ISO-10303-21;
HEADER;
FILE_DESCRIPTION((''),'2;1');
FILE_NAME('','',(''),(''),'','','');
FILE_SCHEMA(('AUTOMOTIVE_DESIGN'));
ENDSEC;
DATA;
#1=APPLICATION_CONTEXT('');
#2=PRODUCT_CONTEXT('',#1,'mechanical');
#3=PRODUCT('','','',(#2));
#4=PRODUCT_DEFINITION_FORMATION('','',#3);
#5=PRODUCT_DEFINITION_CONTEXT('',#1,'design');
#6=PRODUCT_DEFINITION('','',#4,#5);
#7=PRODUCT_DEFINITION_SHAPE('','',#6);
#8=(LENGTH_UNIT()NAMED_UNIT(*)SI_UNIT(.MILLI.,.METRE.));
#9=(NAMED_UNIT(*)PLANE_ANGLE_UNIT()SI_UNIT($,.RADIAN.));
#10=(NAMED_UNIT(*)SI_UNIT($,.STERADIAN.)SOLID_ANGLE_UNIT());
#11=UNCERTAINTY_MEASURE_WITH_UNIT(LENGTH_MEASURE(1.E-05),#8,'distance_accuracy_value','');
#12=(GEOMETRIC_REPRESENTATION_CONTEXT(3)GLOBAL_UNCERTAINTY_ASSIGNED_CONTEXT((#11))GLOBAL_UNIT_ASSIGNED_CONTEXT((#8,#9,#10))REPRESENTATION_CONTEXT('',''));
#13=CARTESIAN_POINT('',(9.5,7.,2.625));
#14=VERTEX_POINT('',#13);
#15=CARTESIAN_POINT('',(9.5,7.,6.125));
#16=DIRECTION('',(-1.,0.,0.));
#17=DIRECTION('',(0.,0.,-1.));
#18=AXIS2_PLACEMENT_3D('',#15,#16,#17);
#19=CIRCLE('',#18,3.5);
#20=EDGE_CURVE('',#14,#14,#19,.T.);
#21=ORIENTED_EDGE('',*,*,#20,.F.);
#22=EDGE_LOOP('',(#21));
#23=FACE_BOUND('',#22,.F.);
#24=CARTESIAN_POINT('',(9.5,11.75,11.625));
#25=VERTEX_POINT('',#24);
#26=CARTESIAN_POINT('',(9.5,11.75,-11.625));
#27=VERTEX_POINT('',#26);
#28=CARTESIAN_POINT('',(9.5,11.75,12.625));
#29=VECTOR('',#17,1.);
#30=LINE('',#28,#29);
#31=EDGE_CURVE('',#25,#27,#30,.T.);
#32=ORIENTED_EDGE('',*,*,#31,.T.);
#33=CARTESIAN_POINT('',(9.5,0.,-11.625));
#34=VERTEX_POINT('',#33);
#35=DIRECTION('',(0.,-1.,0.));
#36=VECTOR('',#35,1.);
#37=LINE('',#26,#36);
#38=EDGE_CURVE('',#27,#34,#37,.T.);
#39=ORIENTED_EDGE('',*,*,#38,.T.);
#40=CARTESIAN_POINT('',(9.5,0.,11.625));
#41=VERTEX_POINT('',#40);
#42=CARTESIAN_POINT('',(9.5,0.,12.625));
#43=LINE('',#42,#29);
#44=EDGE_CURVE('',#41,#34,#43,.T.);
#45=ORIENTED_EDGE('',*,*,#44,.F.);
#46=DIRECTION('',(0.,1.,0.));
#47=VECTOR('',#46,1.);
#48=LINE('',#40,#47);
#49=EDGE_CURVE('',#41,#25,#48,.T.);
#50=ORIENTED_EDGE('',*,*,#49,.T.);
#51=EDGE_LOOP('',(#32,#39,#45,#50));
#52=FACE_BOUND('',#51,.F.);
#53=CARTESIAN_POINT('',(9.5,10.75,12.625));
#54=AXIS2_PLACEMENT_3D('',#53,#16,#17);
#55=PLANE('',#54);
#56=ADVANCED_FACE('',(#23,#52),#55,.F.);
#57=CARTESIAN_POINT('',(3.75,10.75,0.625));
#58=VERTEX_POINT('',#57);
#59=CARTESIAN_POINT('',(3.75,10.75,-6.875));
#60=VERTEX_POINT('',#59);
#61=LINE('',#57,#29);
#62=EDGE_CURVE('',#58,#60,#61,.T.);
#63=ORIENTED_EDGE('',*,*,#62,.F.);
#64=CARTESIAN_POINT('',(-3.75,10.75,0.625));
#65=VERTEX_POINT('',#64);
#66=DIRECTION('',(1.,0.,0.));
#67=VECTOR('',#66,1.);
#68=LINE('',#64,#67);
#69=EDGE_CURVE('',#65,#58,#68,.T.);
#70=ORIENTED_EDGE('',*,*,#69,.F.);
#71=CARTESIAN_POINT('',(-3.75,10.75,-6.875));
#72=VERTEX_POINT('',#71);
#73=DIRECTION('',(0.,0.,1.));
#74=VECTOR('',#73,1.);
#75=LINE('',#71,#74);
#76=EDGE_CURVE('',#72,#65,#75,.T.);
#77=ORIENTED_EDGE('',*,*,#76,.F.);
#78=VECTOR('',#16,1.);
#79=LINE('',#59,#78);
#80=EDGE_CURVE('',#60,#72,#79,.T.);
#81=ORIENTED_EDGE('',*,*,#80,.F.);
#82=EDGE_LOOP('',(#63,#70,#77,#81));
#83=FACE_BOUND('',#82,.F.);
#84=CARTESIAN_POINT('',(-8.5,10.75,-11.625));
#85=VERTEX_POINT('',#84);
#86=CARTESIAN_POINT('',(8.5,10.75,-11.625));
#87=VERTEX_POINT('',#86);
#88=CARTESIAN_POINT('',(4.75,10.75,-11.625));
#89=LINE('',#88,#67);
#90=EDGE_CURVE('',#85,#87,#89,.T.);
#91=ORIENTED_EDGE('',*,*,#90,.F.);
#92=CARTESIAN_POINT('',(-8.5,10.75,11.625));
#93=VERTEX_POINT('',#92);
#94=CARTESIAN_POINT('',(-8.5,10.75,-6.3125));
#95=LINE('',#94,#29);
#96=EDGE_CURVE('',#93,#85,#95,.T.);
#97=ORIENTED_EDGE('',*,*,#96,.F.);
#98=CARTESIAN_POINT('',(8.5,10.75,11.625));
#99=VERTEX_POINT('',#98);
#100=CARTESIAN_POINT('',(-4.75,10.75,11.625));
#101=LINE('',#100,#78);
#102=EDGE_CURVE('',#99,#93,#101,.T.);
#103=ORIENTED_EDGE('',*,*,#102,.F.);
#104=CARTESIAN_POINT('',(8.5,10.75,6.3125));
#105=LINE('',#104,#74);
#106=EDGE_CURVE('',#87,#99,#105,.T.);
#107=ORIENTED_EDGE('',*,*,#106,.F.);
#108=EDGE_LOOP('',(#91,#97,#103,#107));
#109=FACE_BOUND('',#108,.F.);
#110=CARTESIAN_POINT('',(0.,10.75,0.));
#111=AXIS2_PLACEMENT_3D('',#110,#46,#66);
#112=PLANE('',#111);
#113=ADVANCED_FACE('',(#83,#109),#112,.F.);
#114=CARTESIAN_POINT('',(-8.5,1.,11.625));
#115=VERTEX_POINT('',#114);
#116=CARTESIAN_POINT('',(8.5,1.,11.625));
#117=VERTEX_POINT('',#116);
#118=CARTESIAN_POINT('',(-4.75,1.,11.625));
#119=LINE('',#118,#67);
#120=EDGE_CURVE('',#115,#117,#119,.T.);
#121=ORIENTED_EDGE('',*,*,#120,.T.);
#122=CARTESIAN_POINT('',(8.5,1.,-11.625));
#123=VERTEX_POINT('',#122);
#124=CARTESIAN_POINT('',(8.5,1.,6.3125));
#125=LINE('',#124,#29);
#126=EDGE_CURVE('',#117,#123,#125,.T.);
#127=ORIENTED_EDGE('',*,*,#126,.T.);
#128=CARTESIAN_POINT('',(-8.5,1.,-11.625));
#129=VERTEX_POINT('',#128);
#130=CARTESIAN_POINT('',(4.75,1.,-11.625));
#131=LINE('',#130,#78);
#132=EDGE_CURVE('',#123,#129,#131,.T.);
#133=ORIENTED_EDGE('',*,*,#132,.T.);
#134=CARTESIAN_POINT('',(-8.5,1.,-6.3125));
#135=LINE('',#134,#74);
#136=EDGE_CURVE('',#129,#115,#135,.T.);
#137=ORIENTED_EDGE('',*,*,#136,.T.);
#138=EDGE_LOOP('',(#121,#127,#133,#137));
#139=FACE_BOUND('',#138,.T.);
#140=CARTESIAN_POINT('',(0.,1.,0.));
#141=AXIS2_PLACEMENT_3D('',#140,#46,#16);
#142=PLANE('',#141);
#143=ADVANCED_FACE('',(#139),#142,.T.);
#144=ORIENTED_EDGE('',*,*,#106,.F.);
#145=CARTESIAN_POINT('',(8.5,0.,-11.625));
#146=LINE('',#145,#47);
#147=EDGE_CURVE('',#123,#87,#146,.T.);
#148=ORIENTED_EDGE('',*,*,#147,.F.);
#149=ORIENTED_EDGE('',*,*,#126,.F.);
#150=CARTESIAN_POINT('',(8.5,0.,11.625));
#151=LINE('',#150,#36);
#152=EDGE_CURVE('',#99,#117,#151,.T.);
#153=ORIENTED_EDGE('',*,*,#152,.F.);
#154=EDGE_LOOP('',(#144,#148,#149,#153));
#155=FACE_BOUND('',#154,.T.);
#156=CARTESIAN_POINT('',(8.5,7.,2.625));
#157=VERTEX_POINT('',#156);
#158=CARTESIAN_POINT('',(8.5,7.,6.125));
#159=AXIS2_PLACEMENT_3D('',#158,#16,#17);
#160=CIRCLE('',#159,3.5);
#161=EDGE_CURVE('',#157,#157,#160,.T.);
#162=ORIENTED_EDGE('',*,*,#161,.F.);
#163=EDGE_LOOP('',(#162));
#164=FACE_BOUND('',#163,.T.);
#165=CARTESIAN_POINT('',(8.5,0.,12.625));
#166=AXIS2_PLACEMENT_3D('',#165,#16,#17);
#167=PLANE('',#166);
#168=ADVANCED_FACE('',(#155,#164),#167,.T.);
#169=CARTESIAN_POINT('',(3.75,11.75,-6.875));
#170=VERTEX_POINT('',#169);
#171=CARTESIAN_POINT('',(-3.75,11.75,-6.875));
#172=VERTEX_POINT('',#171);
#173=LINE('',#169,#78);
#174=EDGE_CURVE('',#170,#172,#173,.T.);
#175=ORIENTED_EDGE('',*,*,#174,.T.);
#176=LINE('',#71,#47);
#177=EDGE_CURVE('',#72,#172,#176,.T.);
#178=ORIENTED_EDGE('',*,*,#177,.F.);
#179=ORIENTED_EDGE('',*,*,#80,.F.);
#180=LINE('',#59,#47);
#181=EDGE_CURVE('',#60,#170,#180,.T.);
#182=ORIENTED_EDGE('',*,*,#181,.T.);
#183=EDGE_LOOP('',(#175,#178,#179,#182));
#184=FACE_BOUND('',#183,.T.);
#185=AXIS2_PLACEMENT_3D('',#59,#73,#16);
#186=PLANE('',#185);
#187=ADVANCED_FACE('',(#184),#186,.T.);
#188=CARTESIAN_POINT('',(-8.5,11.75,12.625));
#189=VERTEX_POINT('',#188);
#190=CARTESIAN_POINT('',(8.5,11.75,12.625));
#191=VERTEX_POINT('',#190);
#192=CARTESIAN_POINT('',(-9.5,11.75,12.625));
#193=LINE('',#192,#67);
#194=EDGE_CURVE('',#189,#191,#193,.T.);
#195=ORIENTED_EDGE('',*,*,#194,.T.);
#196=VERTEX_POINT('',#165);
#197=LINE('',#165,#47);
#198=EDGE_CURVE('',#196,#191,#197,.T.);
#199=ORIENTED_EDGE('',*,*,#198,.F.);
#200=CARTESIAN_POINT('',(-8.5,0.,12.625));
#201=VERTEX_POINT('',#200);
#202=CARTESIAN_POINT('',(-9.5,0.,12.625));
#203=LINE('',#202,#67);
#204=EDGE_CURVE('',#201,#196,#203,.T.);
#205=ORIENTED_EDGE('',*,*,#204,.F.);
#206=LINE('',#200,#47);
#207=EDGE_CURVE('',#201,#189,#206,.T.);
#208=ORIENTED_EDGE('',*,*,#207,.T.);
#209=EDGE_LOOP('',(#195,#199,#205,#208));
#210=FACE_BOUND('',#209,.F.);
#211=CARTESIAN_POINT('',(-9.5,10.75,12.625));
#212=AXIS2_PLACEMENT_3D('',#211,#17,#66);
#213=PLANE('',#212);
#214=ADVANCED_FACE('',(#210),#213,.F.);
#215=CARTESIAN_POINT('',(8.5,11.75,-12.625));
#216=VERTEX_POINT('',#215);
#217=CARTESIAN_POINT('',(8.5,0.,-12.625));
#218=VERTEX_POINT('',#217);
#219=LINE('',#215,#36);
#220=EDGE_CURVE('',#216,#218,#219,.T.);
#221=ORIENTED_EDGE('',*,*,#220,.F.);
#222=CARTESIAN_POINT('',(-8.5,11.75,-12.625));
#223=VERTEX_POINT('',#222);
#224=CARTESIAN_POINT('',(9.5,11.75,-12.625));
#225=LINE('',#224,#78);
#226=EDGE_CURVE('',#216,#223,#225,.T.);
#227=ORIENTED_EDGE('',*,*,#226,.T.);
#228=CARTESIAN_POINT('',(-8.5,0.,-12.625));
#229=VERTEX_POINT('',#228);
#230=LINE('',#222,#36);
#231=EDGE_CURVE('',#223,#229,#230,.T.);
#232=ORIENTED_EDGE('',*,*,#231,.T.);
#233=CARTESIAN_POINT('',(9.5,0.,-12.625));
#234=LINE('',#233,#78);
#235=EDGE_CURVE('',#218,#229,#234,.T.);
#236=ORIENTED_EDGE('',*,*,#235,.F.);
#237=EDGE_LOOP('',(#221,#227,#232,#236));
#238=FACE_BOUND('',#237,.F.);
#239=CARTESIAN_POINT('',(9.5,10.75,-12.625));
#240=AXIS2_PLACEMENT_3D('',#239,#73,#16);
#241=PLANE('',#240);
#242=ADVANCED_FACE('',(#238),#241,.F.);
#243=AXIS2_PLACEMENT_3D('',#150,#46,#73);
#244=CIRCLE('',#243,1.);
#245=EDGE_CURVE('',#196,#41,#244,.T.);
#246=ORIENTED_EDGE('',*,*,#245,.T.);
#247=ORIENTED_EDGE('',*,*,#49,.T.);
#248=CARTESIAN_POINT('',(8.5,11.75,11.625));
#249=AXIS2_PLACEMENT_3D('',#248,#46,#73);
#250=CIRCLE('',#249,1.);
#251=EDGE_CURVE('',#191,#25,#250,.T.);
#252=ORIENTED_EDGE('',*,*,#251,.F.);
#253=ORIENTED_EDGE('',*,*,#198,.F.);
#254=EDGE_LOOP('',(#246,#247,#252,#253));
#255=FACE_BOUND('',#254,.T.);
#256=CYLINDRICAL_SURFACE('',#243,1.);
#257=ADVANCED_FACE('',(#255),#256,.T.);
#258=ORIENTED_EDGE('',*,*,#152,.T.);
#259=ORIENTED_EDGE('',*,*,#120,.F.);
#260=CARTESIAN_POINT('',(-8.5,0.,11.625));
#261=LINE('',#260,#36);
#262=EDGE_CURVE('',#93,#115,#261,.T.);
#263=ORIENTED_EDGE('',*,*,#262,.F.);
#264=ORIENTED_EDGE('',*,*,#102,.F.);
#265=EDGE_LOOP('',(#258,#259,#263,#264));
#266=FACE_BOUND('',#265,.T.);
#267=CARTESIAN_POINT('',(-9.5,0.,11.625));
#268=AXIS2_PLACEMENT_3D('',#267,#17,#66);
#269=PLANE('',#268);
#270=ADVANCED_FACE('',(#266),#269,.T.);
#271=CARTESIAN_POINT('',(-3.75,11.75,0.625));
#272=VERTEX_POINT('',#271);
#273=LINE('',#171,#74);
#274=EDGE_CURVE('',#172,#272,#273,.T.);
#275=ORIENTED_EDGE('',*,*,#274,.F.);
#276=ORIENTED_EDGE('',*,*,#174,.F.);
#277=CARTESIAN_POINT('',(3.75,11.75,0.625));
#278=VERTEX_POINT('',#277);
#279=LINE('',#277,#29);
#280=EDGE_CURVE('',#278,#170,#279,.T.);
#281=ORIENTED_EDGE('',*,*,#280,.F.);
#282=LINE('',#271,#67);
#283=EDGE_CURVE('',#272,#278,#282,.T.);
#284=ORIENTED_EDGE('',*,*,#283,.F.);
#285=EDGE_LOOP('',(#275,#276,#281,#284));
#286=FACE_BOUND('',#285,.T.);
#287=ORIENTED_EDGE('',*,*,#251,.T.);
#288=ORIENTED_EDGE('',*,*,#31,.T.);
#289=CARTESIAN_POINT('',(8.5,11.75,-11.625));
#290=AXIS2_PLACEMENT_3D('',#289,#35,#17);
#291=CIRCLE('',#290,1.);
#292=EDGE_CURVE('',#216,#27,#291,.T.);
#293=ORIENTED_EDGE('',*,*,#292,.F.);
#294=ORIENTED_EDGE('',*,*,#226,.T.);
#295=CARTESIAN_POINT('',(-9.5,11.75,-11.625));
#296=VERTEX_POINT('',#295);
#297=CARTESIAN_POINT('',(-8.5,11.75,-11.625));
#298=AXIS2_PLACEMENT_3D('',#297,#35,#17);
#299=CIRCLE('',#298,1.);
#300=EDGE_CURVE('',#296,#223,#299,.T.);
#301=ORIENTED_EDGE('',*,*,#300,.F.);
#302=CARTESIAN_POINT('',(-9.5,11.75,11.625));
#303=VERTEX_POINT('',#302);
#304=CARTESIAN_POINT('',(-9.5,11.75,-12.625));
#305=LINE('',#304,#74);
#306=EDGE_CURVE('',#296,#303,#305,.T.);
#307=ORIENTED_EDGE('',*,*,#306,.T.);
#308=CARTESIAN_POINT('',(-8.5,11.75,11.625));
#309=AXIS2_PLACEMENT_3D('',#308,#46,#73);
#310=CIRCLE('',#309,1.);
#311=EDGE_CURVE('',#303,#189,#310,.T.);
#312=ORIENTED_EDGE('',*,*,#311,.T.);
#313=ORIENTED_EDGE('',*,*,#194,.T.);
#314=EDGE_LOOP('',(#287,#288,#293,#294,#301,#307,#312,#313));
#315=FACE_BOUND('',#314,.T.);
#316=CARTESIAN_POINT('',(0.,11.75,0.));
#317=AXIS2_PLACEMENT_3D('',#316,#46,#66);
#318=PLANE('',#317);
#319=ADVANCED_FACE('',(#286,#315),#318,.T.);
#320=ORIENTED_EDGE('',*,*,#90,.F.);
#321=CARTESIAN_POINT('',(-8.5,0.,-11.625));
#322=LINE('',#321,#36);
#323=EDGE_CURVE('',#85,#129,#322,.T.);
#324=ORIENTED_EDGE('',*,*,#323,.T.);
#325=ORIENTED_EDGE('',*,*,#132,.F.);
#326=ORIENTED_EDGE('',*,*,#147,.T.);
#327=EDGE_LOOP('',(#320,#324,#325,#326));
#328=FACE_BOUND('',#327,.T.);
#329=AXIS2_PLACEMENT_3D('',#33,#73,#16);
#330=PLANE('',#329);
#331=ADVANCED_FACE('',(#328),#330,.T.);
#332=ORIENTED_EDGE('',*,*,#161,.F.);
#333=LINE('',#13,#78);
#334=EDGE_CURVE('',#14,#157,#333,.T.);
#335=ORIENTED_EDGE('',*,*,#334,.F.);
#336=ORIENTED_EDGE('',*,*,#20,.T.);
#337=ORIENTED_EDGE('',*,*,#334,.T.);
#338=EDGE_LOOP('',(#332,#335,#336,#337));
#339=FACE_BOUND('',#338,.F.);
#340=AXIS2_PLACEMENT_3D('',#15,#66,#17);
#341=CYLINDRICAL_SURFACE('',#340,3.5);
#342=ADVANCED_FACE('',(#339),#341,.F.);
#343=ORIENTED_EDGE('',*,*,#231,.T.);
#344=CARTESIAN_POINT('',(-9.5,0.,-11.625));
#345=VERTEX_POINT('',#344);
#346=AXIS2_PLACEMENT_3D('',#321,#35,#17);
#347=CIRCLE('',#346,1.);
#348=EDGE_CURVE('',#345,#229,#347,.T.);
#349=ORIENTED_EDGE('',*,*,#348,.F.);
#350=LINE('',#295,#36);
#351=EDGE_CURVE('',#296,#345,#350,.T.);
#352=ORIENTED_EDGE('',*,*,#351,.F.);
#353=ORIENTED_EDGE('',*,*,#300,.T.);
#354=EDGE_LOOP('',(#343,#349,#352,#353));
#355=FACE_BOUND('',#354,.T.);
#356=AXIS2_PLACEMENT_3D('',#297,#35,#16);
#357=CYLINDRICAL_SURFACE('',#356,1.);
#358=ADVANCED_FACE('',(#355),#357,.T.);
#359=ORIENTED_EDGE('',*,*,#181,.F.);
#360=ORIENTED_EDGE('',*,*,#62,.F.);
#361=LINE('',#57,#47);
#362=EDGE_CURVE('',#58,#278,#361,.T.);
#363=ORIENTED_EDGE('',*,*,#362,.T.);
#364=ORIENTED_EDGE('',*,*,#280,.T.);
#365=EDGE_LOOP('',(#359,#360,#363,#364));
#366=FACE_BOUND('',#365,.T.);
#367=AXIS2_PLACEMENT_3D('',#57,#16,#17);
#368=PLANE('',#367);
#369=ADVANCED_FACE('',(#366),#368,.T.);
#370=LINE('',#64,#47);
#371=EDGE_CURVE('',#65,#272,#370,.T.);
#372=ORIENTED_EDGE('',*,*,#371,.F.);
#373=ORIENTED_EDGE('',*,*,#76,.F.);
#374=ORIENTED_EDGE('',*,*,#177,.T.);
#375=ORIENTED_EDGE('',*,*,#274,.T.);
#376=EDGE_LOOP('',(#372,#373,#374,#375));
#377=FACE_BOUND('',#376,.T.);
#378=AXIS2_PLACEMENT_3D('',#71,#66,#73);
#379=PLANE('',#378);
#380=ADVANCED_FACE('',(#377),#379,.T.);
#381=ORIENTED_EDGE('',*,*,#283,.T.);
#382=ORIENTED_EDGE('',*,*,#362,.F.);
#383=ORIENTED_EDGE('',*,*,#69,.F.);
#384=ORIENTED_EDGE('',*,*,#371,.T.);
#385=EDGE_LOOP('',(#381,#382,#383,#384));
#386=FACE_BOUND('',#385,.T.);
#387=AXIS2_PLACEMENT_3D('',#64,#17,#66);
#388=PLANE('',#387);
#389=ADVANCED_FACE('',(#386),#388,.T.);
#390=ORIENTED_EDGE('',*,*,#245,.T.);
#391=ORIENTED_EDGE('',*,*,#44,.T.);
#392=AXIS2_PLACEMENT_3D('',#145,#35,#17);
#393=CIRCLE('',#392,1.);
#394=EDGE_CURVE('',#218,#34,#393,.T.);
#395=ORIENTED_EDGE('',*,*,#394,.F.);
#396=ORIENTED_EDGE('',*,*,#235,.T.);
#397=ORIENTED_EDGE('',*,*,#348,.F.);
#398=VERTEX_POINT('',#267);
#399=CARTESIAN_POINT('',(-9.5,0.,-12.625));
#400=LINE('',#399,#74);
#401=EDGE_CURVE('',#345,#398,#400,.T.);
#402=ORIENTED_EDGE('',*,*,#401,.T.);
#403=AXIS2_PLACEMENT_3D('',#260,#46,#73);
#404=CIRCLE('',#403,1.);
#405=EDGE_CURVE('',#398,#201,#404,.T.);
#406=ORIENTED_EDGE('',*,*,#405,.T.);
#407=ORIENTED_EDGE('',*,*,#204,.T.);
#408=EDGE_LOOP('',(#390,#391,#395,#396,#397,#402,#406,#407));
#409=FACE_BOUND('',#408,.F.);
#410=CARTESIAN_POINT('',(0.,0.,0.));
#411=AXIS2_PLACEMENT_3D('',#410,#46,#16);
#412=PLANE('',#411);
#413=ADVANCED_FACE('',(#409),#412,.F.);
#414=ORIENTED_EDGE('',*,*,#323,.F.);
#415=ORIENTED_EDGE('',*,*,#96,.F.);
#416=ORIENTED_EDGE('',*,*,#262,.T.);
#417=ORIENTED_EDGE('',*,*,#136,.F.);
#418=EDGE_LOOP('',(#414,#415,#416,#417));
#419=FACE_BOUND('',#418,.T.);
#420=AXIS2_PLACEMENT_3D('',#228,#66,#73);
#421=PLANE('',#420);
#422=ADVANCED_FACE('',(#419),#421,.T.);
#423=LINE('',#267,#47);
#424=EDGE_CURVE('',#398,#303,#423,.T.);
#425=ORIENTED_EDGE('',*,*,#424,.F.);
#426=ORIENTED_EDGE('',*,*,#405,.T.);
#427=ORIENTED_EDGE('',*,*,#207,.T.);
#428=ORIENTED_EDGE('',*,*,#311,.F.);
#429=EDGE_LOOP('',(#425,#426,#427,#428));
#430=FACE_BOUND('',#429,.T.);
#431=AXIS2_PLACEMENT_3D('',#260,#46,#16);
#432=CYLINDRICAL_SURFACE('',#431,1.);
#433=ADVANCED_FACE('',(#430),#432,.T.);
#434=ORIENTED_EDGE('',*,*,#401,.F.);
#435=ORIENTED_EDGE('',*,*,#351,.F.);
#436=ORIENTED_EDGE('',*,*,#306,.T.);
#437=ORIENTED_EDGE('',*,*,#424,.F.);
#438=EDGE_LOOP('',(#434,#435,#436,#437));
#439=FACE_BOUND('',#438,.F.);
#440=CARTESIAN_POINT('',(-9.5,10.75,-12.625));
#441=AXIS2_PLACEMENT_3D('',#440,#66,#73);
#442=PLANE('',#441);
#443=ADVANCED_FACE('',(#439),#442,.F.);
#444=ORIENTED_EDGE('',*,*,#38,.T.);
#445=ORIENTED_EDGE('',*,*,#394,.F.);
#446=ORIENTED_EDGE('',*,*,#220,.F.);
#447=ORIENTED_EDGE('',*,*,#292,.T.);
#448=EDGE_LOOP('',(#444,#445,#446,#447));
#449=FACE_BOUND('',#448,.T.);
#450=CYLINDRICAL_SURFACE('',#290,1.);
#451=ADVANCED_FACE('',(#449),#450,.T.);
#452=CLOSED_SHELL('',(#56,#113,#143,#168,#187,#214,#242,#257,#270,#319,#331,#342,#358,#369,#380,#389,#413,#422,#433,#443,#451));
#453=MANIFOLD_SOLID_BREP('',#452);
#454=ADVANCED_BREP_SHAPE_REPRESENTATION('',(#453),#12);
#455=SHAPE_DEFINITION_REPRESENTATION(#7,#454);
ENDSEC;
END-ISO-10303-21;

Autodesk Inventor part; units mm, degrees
ref_plane "YZ Plane" through (0, 0, 0) normal (1, 0, 0) x (0, 1, 0)
ref_plane "XZ Plane" through (0, 0, 0) normal (0, 1, 0) x (-1, 0, 0)
ref_plane "XY Plane" through (0, 0, 0) normal (0, 0, 1) x (1, 0, 0)
sketch "Sketch1" plane through (0, 0, 0) normal (0, 1, 0) x (-1, 0, 0)
  line L0 (-9.5, -12.625) -> (9.5, -12.625)
  line L1 (9.5, -12.625) -> (9.5, 12.625)
  line L2 (9.5, 12.625) -> (-9.5, 12.625)
  line L3 (-9.5, 12.625) -> (-9.5, -12.625)
  line L4 (-9.5, -12.625) -> (9.5, 12.625) construction
  line L5 (9.5, -12.625) -> (-9.5, 12.625) construction
  point P0 (0, 0)
  dimension "d0" = 19
  dimension "d1" = 25.25
extrude "Extrusion1" add sketch "Sketch1" along normal blind 10.75
shell "Shell1" thickness 1 removed faces 1 at (3.1667, 10.75, 4.2083)
sketch "Sketch2" plane through (9.5, 0, 12.625) normal (1, 0, 0) x (0, 0, -1)
  line L0 (1, 1) -> (24.25, 1) projected
  circle A0 centre (6.5, 7) radius 3.5
  line L1 (1, 1) -> (1, 10.75) projected
  line L2 (2, 3.75) -> (5.201, 3.75)
  line L3 (7.799, 3.75) -> (24, 3.75)
  point P0 (12.625, 0)
  dimension "d6" = 7
  dimension "d8" = 2
extrude "Extrusion2" cut sketch "Sketch2" against normal blind 10.75
sketch "Sketch3" plane through (0, 10.75, 0) normal (0, 1, 0) x (1, 0, 0)
  line L0 (-8.5, -11.625) -> (-8.5, 11.625) projected
  line L1 (-8.5, 11.625) -> (8.5, 11.625) projected
  line L2 (-9.5, -12.625) -> (9.5, -12.625) projected
  line L3 (9.5, -12.625) -> (9.5, 12.625) projected
  line L4 (9.5, 12.625) -> (-9.5, 12.625) projected
  line L5 (-9.5, 12.625) -> (-9.5, -12.625) projected
  line L6 (-9.5, -12.625) -> (9.5, -12.625)
  line L7 (9.5, -12.625) -> (9.5, 12.625)
  line L8 (9.5, 12.625) -> (-9.5, 12.625)
  line L9 (-9.5, 12.625) -> (-9.5, -12.625)
  line L10 (3.75, 6.875) -> (-3.75, 6.875)
  line L11 (-3.75, 6.875) -> (-3.75, -0.625)
  line L12 (-3.75, -0.625) -> (3.75, -0.625)
  line L13 (3.75, -0.625) -> (3.75, 6.875)
  line L14 (3.75, 6.875) -> (-3.75, -0.625) construction
  line L15 (-3.75, 6.875) -> (3.75, -0.625) construction
  point P0 (0, 0)
  point P1 (0, 3.125)
  dimension "d11" = 8.5
  dimension "d12" = 8.5
  dimension "d13" = 7.5
  dimension "d14" = 7.5
extrude "Extrusion3" add sketch "Sketch3" along normal blind 1
fillet "Fillet1" radius 1 4 edges at (9.5, 5.875, -12.625) (-9.5, 5.875, -12.625) (-9.5, 5.875, 12.625) (9.5, 5.875, 12.625)
properties part number "carcasaXeotype_BUTTON"
